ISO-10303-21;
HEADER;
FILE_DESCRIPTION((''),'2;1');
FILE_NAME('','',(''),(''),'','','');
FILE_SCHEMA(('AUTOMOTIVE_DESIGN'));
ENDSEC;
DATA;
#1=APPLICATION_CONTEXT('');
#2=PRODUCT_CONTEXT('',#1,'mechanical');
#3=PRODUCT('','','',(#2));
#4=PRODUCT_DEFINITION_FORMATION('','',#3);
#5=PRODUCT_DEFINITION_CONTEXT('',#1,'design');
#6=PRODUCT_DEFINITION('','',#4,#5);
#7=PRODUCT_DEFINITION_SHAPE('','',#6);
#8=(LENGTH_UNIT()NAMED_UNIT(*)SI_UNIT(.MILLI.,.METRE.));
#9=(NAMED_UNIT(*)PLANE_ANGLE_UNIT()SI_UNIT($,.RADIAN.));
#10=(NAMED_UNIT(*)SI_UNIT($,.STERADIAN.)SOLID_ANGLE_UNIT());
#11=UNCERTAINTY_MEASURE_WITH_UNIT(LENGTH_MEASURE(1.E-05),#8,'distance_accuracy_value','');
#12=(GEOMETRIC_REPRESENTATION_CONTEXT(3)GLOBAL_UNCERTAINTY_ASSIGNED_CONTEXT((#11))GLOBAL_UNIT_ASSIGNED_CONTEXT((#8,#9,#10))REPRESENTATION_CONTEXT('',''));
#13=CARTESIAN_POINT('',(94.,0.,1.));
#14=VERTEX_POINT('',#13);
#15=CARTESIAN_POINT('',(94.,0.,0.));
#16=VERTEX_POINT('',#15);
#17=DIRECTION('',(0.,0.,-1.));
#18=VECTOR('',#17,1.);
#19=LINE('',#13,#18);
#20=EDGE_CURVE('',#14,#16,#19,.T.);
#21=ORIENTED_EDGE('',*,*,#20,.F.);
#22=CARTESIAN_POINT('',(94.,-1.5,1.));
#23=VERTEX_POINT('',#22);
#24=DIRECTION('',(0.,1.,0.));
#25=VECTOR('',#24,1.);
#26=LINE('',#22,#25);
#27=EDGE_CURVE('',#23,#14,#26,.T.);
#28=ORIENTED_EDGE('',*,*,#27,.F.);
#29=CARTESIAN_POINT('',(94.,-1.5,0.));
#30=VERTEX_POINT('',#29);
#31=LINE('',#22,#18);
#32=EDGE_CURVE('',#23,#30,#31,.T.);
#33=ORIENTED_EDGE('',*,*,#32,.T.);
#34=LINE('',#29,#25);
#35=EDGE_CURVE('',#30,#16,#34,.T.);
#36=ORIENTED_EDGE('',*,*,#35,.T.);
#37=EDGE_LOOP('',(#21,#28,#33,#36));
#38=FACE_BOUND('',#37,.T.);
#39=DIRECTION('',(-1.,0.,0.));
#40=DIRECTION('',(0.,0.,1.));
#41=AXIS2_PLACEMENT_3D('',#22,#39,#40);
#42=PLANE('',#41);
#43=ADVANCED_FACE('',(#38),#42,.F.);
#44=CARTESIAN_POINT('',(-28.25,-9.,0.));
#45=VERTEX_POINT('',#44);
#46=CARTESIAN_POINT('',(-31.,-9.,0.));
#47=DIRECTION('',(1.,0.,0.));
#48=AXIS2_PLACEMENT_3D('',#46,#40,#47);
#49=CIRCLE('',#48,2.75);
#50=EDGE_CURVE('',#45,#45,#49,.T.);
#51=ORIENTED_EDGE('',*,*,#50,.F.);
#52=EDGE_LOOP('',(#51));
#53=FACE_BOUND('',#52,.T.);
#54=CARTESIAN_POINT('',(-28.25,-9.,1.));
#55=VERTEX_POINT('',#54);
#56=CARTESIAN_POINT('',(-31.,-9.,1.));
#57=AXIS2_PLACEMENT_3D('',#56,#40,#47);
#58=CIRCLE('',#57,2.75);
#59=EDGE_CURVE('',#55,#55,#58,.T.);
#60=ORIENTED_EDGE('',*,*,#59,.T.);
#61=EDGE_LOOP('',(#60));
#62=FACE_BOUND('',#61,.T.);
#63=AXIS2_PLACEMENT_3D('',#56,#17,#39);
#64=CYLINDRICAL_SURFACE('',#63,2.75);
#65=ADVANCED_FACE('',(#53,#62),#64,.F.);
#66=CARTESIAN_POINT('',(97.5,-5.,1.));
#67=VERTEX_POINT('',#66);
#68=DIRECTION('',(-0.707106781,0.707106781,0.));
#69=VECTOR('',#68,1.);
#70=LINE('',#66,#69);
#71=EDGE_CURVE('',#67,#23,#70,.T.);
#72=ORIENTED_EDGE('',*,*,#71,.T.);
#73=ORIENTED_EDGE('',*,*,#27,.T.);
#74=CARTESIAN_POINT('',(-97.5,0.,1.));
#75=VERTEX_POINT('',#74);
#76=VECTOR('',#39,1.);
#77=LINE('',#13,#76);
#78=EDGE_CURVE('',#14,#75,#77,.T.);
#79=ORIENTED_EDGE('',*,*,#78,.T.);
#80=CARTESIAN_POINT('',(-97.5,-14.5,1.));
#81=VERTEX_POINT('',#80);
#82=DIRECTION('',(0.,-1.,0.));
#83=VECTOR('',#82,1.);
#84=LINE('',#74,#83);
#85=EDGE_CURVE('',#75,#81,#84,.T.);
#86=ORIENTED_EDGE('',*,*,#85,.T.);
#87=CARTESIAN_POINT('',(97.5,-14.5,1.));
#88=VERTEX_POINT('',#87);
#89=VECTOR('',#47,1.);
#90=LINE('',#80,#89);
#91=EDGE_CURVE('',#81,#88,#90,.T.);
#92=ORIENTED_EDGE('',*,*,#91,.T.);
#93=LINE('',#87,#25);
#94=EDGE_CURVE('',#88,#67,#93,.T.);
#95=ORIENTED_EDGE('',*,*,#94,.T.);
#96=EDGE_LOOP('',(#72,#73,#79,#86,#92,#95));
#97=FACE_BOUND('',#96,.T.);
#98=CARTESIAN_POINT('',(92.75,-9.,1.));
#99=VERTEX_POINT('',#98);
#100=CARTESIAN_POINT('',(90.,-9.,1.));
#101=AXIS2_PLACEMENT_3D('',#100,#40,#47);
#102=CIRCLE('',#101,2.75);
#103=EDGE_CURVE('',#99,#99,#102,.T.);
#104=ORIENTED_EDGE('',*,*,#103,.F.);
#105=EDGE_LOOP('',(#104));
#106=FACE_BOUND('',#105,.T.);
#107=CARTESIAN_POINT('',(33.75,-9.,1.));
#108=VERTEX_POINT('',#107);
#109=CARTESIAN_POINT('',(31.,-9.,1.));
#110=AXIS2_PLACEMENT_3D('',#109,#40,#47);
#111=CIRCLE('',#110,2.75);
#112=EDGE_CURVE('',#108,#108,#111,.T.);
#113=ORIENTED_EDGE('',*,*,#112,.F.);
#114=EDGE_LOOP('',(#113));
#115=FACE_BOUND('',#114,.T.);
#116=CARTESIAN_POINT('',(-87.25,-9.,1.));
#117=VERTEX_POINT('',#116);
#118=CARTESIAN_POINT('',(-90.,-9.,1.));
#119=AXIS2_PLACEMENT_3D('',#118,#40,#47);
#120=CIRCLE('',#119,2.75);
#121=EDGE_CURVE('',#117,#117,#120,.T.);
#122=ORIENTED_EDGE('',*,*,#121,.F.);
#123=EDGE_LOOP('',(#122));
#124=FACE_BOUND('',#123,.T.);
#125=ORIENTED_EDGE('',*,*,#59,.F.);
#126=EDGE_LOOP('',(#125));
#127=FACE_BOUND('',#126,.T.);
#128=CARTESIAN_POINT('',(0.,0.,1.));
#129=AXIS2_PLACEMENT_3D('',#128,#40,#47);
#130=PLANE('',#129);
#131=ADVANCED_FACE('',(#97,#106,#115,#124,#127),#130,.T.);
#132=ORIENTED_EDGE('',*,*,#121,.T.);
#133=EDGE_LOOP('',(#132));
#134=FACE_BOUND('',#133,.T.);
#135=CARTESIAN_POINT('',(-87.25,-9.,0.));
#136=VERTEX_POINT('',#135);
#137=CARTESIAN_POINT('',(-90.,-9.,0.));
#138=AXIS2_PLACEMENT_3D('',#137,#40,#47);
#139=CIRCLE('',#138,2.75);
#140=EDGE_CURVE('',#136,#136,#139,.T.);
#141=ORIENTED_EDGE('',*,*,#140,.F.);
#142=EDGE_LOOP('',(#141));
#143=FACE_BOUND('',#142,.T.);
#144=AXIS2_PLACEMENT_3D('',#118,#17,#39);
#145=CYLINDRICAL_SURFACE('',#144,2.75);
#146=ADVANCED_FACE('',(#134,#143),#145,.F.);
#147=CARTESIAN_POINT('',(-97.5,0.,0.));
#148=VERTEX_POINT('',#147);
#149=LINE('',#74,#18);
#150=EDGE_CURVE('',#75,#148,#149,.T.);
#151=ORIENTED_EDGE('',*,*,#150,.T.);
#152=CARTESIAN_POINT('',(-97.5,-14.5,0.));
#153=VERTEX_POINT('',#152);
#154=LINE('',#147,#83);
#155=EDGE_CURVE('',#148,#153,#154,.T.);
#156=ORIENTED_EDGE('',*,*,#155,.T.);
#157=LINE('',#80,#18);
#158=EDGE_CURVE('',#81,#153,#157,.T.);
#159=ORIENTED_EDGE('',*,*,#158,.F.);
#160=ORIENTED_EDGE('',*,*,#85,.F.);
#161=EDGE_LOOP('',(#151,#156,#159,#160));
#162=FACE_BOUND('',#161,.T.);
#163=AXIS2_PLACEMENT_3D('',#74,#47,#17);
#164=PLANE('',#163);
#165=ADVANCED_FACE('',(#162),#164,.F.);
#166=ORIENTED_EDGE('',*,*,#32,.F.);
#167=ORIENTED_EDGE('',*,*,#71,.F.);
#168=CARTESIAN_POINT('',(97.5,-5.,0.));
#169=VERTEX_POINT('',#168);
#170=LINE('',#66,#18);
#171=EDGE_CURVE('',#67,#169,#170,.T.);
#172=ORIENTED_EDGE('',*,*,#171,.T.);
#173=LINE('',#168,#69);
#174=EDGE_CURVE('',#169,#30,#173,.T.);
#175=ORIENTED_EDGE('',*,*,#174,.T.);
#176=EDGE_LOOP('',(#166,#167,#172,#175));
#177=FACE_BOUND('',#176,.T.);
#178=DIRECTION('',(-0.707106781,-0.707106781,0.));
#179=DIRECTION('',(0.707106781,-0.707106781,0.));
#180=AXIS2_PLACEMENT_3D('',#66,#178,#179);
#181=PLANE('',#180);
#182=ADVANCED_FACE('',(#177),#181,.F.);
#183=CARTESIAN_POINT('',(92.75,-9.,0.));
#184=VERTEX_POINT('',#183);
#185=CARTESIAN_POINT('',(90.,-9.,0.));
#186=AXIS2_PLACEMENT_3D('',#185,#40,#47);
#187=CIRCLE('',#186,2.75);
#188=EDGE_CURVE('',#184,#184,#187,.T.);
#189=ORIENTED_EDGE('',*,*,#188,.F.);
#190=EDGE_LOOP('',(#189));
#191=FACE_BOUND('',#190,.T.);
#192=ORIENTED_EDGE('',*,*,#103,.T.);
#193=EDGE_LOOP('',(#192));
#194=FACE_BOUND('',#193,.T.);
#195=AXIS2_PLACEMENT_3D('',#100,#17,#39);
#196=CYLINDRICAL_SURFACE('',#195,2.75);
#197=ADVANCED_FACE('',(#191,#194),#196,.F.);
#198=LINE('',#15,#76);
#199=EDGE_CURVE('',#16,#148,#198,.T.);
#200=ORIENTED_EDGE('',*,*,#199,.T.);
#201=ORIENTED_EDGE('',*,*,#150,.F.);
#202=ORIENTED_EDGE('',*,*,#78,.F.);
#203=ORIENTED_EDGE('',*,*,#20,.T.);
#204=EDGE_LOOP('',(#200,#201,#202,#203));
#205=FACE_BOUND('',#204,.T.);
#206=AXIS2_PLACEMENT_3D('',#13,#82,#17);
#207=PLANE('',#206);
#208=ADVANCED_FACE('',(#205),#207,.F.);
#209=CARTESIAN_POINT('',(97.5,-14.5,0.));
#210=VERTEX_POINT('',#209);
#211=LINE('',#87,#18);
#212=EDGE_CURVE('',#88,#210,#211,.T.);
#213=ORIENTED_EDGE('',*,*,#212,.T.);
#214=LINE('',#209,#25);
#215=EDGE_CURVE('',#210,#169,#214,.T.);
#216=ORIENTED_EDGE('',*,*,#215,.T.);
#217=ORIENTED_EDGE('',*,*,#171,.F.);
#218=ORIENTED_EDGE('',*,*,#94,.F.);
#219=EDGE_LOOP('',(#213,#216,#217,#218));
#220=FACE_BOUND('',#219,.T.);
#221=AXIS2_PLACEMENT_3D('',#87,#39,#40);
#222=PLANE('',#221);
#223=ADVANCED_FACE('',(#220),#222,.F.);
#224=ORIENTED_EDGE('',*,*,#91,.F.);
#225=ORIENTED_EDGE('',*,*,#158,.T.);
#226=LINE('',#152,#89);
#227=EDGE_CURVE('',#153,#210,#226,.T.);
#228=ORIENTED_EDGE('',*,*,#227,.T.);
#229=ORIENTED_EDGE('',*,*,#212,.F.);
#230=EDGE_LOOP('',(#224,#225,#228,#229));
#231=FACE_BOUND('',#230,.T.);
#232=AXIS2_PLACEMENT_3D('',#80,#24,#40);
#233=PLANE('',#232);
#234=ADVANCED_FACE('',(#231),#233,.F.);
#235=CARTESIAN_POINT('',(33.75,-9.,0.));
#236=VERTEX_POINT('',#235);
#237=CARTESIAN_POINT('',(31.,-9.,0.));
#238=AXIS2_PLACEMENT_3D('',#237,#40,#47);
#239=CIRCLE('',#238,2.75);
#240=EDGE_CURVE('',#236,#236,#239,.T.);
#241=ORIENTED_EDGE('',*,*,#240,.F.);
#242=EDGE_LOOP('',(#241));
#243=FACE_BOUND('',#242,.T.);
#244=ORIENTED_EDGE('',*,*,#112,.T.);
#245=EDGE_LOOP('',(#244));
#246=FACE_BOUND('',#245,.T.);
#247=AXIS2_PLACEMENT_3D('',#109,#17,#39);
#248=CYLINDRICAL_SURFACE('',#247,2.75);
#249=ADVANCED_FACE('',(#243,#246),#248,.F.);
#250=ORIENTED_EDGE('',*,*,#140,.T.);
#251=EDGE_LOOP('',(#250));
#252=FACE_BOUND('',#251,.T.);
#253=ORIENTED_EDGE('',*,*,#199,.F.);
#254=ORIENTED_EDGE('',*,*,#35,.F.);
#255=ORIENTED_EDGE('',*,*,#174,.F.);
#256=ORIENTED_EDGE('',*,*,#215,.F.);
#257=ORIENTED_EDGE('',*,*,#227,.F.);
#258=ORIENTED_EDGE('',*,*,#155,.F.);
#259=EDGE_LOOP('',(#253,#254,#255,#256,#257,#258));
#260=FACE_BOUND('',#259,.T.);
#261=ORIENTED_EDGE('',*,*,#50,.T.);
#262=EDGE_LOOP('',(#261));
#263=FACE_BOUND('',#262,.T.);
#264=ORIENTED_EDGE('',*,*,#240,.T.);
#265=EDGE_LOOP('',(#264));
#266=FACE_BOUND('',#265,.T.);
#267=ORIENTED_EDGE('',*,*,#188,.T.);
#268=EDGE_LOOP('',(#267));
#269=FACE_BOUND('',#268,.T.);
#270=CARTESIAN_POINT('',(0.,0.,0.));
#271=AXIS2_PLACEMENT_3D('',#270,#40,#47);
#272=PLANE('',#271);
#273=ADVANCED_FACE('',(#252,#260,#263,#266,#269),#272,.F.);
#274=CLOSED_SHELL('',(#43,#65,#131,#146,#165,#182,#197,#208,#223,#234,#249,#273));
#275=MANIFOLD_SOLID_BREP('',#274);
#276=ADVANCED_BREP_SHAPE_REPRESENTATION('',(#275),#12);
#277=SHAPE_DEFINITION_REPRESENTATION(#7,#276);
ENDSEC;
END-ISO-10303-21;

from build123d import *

# Parameters (mm, degrees)
WIDE_FLANGE_WITH_ORIGINAL_FLOOR_BOLT_2_R       = 2.75
WIDE_FLANGE_WITH_ORIGINAL_FLOOR_BOLT_CEN_DEPTH = 1


with BuildPart() as part:
    # Wide flange with original floor bolt 2 → Wide flange with original floor bolt cen (new body)
    with BuildSketch(Plane.XY):
        Polygon((-97.5, -14.5), (97.5, -14.5), (97.5, -5), (94, -1.5), (94, 0), (-97.5, 0), align=None)
        with Locations((-90, -9)):
            Circle(WIDE_FLANGE_WITH_ORIGINAL_FLOOR_BOLT_2_R, mode=Mode.SUBTRACT)
        with Locations((-31, -9)):
            Circle(WIDE_FLANGE_WITH_ORIGINAL_FLOOR_BOLT_2_R, mode=Mode.SUBTRACT)
        with Locations((31, -9)):
            Circle(WIDE_FLANGE_WITH_ORIGINAL_FLOOR_BOLT_2_R, mode=Mode.SUBTRACT)
        with Locations((90, -9)):
            Circle(WIDE_FLANGE_WITH_ORIGINAL_FLOOR_BOLT_2_R, mode=Mode.SUBTRACT)
    extrude(amount=WIDE_FLANGE_WITH_ORIGINAL_FLOOR_BOLT_CEN_DEPTH)


solid = part.part
